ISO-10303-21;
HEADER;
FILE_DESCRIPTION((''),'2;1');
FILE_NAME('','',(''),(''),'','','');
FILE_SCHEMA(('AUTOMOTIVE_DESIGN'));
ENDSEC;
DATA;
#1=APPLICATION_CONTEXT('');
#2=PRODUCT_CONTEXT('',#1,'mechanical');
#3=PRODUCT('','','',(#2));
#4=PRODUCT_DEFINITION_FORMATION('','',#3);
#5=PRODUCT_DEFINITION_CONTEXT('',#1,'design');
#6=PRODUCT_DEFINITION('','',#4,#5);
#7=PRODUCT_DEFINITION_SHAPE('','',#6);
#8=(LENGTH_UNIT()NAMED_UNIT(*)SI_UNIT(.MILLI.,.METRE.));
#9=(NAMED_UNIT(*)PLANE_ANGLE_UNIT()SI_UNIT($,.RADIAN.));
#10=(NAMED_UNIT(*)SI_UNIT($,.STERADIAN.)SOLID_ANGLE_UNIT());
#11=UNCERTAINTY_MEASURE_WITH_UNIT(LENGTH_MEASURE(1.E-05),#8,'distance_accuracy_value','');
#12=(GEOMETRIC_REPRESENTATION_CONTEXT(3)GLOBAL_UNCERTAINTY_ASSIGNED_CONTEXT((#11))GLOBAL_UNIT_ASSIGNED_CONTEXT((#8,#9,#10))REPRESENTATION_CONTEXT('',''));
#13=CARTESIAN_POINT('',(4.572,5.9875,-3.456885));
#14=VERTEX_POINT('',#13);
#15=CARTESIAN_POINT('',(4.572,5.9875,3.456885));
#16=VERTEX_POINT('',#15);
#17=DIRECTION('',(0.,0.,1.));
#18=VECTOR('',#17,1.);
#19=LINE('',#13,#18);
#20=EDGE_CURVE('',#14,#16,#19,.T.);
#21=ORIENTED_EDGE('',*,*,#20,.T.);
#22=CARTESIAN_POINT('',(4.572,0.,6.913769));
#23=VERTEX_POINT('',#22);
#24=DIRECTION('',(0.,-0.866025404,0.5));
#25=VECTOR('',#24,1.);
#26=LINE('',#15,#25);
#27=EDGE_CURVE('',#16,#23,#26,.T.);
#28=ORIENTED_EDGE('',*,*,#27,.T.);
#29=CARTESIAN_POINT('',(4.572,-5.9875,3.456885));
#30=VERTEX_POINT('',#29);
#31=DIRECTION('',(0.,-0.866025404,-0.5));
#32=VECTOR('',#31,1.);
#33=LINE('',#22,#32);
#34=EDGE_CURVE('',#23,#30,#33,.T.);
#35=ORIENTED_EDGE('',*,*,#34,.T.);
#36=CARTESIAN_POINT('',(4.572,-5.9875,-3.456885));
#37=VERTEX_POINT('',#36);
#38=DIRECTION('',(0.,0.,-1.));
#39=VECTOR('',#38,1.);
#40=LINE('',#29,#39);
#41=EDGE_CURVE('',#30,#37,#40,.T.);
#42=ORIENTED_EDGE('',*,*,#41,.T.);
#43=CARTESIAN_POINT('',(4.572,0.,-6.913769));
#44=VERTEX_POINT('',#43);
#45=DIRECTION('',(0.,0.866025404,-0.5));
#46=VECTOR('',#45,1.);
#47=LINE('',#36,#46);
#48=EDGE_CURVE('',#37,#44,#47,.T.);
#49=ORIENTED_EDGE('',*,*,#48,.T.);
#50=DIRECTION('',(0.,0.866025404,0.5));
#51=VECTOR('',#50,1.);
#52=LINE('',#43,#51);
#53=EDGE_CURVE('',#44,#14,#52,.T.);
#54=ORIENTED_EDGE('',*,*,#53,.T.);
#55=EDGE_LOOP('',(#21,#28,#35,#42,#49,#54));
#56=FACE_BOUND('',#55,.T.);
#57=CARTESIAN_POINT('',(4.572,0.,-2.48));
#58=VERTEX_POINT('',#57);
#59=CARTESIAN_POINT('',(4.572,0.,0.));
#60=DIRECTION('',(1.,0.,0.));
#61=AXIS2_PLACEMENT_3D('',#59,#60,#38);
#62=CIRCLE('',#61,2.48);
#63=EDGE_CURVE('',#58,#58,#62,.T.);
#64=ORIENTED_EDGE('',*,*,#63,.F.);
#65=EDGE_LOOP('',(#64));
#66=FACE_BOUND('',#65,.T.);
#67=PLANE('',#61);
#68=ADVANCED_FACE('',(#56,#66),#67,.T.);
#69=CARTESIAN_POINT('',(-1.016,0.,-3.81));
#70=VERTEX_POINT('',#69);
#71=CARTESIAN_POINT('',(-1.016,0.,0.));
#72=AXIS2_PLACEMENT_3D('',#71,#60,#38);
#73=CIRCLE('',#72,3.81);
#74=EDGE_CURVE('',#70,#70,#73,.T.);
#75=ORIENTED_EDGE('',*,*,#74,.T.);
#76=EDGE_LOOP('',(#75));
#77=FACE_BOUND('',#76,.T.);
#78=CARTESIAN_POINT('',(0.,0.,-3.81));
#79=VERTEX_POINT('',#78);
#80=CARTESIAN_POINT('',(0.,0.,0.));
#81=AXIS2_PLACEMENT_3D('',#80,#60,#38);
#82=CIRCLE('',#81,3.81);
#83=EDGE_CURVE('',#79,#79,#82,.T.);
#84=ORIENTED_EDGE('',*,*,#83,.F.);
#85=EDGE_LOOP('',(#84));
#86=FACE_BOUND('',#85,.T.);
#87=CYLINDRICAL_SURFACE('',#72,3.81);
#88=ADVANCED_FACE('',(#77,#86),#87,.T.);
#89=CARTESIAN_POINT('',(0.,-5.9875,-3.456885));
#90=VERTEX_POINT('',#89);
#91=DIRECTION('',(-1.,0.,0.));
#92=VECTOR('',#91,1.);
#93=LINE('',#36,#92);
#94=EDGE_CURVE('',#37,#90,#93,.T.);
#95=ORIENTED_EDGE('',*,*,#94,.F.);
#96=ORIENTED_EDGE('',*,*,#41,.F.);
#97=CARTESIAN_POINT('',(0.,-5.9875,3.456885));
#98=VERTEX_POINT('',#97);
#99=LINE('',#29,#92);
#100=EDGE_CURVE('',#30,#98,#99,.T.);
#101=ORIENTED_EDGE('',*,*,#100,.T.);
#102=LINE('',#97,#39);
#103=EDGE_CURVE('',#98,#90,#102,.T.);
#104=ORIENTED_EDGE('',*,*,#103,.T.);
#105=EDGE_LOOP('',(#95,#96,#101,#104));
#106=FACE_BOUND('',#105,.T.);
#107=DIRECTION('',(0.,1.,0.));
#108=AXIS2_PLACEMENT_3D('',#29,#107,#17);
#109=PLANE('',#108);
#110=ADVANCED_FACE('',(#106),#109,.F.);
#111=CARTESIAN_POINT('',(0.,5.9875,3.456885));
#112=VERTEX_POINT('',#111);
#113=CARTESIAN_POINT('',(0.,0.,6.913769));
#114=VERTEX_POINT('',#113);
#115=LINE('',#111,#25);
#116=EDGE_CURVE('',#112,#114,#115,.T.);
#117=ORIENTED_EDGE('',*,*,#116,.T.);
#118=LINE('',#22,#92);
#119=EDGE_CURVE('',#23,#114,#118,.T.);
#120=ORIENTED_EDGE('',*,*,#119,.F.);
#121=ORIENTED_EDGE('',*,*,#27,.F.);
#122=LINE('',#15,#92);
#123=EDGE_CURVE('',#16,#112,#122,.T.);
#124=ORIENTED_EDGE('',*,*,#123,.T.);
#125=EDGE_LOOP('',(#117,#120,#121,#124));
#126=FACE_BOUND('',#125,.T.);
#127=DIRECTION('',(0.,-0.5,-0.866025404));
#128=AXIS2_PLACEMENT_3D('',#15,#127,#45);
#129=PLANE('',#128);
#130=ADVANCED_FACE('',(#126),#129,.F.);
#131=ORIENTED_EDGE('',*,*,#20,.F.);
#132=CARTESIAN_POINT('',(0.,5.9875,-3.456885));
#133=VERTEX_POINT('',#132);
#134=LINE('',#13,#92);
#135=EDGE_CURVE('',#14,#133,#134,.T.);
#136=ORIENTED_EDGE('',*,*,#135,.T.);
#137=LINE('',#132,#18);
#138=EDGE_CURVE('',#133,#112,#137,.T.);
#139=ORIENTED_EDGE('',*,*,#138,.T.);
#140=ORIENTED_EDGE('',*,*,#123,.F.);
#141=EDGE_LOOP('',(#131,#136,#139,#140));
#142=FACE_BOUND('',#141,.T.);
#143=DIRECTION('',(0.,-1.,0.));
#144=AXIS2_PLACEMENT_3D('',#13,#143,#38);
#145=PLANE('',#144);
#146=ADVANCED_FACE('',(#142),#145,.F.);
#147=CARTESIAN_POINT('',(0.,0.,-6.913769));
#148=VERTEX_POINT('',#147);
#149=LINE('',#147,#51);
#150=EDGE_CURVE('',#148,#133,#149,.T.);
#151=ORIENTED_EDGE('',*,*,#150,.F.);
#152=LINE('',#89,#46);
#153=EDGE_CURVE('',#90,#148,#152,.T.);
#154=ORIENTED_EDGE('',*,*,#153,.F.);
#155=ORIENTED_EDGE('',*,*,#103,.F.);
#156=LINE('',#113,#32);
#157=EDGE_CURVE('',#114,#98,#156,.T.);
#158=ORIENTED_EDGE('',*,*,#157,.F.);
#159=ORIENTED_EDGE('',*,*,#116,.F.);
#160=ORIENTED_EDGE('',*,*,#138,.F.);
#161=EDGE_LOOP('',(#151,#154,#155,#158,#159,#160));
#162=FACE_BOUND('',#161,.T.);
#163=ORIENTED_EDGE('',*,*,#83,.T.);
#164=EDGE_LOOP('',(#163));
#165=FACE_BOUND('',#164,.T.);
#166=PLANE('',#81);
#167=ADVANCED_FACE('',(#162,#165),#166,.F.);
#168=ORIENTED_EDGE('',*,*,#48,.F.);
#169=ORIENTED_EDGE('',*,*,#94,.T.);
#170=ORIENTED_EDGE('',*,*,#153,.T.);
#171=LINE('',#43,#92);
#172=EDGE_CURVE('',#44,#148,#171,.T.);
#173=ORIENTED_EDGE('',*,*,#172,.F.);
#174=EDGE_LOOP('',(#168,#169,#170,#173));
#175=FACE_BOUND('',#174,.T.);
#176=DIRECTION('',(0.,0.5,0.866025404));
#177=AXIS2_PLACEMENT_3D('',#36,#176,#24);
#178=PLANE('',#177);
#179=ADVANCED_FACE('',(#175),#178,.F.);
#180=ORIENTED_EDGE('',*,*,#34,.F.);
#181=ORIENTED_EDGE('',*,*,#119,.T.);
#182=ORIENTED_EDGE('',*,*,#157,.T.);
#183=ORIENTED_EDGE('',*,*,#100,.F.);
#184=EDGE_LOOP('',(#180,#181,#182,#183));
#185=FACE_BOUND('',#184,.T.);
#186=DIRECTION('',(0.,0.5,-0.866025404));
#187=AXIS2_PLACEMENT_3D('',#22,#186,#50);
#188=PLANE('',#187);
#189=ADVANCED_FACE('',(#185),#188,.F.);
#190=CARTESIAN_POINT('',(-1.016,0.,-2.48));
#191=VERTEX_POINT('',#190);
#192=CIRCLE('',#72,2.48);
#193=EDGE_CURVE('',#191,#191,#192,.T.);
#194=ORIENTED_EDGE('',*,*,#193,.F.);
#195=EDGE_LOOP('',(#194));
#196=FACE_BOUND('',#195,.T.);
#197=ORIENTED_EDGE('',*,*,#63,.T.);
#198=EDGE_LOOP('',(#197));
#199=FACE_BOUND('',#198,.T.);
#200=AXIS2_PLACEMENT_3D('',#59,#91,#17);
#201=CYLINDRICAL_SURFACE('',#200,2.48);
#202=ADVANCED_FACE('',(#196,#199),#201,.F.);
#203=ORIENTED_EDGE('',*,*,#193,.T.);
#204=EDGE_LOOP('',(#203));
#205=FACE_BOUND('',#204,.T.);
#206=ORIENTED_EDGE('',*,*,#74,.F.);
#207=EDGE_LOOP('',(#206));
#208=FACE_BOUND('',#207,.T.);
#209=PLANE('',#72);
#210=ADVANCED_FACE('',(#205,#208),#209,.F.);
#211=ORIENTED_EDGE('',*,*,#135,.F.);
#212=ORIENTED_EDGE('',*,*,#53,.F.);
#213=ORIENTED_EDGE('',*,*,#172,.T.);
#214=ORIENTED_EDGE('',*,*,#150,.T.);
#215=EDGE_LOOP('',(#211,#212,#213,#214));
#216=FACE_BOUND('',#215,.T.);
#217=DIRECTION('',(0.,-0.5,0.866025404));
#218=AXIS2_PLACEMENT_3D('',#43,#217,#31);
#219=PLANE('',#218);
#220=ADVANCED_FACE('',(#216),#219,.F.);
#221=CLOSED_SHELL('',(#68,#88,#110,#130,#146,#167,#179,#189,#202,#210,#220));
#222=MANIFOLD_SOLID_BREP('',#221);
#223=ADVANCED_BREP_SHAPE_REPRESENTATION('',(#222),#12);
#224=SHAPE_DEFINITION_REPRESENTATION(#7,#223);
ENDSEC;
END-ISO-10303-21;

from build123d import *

# Parameters (mm, degrees)
SKETCH1_R           = 2.48
BOSS_EXTRUDE1_DEPTH = 4.572
SKETCH2_R           = 3.81
SKETCH2_R_2         = 2.48
BOSS_EXTRUDE2_DEPTH = 1.016


with BuildPart() as part:
    # Sketch1 → Boss-Extrude1 (new body)
    with BuildSketch(Plane(origin=(0, 0, 0), x_dir=(0, 0, -1), z_dir=(1, 0, 0))):
        Polygon((3.456884737, -5.9875), (6.913769474, 0), (3.456884737, 5.9875), (-3.456884737, 5.9875), (-6.913769474, 0), (-3.456884737, -5.9875), align=None)
        Circle(SKETCH1_R, mode=Mode.SUBTRACT)
    extrude(amount=BOSS_EXTRUDE1_DEPTH)

    # Sketch2 → Boss-Extrude2 (add)
    with BuildSketch(Plane(origin=(0, 0, 0), x_dir=(0, 0, -1), z_dir=(1, 0, 0))):
        Circle(SKETCH2_R)
        Circle(SKETCH2_R_2, mode=Mode.SUBTRACT)
    extrude(amount=-BOSS_EXTRUDE2_DEPTH)


solid = part.part
